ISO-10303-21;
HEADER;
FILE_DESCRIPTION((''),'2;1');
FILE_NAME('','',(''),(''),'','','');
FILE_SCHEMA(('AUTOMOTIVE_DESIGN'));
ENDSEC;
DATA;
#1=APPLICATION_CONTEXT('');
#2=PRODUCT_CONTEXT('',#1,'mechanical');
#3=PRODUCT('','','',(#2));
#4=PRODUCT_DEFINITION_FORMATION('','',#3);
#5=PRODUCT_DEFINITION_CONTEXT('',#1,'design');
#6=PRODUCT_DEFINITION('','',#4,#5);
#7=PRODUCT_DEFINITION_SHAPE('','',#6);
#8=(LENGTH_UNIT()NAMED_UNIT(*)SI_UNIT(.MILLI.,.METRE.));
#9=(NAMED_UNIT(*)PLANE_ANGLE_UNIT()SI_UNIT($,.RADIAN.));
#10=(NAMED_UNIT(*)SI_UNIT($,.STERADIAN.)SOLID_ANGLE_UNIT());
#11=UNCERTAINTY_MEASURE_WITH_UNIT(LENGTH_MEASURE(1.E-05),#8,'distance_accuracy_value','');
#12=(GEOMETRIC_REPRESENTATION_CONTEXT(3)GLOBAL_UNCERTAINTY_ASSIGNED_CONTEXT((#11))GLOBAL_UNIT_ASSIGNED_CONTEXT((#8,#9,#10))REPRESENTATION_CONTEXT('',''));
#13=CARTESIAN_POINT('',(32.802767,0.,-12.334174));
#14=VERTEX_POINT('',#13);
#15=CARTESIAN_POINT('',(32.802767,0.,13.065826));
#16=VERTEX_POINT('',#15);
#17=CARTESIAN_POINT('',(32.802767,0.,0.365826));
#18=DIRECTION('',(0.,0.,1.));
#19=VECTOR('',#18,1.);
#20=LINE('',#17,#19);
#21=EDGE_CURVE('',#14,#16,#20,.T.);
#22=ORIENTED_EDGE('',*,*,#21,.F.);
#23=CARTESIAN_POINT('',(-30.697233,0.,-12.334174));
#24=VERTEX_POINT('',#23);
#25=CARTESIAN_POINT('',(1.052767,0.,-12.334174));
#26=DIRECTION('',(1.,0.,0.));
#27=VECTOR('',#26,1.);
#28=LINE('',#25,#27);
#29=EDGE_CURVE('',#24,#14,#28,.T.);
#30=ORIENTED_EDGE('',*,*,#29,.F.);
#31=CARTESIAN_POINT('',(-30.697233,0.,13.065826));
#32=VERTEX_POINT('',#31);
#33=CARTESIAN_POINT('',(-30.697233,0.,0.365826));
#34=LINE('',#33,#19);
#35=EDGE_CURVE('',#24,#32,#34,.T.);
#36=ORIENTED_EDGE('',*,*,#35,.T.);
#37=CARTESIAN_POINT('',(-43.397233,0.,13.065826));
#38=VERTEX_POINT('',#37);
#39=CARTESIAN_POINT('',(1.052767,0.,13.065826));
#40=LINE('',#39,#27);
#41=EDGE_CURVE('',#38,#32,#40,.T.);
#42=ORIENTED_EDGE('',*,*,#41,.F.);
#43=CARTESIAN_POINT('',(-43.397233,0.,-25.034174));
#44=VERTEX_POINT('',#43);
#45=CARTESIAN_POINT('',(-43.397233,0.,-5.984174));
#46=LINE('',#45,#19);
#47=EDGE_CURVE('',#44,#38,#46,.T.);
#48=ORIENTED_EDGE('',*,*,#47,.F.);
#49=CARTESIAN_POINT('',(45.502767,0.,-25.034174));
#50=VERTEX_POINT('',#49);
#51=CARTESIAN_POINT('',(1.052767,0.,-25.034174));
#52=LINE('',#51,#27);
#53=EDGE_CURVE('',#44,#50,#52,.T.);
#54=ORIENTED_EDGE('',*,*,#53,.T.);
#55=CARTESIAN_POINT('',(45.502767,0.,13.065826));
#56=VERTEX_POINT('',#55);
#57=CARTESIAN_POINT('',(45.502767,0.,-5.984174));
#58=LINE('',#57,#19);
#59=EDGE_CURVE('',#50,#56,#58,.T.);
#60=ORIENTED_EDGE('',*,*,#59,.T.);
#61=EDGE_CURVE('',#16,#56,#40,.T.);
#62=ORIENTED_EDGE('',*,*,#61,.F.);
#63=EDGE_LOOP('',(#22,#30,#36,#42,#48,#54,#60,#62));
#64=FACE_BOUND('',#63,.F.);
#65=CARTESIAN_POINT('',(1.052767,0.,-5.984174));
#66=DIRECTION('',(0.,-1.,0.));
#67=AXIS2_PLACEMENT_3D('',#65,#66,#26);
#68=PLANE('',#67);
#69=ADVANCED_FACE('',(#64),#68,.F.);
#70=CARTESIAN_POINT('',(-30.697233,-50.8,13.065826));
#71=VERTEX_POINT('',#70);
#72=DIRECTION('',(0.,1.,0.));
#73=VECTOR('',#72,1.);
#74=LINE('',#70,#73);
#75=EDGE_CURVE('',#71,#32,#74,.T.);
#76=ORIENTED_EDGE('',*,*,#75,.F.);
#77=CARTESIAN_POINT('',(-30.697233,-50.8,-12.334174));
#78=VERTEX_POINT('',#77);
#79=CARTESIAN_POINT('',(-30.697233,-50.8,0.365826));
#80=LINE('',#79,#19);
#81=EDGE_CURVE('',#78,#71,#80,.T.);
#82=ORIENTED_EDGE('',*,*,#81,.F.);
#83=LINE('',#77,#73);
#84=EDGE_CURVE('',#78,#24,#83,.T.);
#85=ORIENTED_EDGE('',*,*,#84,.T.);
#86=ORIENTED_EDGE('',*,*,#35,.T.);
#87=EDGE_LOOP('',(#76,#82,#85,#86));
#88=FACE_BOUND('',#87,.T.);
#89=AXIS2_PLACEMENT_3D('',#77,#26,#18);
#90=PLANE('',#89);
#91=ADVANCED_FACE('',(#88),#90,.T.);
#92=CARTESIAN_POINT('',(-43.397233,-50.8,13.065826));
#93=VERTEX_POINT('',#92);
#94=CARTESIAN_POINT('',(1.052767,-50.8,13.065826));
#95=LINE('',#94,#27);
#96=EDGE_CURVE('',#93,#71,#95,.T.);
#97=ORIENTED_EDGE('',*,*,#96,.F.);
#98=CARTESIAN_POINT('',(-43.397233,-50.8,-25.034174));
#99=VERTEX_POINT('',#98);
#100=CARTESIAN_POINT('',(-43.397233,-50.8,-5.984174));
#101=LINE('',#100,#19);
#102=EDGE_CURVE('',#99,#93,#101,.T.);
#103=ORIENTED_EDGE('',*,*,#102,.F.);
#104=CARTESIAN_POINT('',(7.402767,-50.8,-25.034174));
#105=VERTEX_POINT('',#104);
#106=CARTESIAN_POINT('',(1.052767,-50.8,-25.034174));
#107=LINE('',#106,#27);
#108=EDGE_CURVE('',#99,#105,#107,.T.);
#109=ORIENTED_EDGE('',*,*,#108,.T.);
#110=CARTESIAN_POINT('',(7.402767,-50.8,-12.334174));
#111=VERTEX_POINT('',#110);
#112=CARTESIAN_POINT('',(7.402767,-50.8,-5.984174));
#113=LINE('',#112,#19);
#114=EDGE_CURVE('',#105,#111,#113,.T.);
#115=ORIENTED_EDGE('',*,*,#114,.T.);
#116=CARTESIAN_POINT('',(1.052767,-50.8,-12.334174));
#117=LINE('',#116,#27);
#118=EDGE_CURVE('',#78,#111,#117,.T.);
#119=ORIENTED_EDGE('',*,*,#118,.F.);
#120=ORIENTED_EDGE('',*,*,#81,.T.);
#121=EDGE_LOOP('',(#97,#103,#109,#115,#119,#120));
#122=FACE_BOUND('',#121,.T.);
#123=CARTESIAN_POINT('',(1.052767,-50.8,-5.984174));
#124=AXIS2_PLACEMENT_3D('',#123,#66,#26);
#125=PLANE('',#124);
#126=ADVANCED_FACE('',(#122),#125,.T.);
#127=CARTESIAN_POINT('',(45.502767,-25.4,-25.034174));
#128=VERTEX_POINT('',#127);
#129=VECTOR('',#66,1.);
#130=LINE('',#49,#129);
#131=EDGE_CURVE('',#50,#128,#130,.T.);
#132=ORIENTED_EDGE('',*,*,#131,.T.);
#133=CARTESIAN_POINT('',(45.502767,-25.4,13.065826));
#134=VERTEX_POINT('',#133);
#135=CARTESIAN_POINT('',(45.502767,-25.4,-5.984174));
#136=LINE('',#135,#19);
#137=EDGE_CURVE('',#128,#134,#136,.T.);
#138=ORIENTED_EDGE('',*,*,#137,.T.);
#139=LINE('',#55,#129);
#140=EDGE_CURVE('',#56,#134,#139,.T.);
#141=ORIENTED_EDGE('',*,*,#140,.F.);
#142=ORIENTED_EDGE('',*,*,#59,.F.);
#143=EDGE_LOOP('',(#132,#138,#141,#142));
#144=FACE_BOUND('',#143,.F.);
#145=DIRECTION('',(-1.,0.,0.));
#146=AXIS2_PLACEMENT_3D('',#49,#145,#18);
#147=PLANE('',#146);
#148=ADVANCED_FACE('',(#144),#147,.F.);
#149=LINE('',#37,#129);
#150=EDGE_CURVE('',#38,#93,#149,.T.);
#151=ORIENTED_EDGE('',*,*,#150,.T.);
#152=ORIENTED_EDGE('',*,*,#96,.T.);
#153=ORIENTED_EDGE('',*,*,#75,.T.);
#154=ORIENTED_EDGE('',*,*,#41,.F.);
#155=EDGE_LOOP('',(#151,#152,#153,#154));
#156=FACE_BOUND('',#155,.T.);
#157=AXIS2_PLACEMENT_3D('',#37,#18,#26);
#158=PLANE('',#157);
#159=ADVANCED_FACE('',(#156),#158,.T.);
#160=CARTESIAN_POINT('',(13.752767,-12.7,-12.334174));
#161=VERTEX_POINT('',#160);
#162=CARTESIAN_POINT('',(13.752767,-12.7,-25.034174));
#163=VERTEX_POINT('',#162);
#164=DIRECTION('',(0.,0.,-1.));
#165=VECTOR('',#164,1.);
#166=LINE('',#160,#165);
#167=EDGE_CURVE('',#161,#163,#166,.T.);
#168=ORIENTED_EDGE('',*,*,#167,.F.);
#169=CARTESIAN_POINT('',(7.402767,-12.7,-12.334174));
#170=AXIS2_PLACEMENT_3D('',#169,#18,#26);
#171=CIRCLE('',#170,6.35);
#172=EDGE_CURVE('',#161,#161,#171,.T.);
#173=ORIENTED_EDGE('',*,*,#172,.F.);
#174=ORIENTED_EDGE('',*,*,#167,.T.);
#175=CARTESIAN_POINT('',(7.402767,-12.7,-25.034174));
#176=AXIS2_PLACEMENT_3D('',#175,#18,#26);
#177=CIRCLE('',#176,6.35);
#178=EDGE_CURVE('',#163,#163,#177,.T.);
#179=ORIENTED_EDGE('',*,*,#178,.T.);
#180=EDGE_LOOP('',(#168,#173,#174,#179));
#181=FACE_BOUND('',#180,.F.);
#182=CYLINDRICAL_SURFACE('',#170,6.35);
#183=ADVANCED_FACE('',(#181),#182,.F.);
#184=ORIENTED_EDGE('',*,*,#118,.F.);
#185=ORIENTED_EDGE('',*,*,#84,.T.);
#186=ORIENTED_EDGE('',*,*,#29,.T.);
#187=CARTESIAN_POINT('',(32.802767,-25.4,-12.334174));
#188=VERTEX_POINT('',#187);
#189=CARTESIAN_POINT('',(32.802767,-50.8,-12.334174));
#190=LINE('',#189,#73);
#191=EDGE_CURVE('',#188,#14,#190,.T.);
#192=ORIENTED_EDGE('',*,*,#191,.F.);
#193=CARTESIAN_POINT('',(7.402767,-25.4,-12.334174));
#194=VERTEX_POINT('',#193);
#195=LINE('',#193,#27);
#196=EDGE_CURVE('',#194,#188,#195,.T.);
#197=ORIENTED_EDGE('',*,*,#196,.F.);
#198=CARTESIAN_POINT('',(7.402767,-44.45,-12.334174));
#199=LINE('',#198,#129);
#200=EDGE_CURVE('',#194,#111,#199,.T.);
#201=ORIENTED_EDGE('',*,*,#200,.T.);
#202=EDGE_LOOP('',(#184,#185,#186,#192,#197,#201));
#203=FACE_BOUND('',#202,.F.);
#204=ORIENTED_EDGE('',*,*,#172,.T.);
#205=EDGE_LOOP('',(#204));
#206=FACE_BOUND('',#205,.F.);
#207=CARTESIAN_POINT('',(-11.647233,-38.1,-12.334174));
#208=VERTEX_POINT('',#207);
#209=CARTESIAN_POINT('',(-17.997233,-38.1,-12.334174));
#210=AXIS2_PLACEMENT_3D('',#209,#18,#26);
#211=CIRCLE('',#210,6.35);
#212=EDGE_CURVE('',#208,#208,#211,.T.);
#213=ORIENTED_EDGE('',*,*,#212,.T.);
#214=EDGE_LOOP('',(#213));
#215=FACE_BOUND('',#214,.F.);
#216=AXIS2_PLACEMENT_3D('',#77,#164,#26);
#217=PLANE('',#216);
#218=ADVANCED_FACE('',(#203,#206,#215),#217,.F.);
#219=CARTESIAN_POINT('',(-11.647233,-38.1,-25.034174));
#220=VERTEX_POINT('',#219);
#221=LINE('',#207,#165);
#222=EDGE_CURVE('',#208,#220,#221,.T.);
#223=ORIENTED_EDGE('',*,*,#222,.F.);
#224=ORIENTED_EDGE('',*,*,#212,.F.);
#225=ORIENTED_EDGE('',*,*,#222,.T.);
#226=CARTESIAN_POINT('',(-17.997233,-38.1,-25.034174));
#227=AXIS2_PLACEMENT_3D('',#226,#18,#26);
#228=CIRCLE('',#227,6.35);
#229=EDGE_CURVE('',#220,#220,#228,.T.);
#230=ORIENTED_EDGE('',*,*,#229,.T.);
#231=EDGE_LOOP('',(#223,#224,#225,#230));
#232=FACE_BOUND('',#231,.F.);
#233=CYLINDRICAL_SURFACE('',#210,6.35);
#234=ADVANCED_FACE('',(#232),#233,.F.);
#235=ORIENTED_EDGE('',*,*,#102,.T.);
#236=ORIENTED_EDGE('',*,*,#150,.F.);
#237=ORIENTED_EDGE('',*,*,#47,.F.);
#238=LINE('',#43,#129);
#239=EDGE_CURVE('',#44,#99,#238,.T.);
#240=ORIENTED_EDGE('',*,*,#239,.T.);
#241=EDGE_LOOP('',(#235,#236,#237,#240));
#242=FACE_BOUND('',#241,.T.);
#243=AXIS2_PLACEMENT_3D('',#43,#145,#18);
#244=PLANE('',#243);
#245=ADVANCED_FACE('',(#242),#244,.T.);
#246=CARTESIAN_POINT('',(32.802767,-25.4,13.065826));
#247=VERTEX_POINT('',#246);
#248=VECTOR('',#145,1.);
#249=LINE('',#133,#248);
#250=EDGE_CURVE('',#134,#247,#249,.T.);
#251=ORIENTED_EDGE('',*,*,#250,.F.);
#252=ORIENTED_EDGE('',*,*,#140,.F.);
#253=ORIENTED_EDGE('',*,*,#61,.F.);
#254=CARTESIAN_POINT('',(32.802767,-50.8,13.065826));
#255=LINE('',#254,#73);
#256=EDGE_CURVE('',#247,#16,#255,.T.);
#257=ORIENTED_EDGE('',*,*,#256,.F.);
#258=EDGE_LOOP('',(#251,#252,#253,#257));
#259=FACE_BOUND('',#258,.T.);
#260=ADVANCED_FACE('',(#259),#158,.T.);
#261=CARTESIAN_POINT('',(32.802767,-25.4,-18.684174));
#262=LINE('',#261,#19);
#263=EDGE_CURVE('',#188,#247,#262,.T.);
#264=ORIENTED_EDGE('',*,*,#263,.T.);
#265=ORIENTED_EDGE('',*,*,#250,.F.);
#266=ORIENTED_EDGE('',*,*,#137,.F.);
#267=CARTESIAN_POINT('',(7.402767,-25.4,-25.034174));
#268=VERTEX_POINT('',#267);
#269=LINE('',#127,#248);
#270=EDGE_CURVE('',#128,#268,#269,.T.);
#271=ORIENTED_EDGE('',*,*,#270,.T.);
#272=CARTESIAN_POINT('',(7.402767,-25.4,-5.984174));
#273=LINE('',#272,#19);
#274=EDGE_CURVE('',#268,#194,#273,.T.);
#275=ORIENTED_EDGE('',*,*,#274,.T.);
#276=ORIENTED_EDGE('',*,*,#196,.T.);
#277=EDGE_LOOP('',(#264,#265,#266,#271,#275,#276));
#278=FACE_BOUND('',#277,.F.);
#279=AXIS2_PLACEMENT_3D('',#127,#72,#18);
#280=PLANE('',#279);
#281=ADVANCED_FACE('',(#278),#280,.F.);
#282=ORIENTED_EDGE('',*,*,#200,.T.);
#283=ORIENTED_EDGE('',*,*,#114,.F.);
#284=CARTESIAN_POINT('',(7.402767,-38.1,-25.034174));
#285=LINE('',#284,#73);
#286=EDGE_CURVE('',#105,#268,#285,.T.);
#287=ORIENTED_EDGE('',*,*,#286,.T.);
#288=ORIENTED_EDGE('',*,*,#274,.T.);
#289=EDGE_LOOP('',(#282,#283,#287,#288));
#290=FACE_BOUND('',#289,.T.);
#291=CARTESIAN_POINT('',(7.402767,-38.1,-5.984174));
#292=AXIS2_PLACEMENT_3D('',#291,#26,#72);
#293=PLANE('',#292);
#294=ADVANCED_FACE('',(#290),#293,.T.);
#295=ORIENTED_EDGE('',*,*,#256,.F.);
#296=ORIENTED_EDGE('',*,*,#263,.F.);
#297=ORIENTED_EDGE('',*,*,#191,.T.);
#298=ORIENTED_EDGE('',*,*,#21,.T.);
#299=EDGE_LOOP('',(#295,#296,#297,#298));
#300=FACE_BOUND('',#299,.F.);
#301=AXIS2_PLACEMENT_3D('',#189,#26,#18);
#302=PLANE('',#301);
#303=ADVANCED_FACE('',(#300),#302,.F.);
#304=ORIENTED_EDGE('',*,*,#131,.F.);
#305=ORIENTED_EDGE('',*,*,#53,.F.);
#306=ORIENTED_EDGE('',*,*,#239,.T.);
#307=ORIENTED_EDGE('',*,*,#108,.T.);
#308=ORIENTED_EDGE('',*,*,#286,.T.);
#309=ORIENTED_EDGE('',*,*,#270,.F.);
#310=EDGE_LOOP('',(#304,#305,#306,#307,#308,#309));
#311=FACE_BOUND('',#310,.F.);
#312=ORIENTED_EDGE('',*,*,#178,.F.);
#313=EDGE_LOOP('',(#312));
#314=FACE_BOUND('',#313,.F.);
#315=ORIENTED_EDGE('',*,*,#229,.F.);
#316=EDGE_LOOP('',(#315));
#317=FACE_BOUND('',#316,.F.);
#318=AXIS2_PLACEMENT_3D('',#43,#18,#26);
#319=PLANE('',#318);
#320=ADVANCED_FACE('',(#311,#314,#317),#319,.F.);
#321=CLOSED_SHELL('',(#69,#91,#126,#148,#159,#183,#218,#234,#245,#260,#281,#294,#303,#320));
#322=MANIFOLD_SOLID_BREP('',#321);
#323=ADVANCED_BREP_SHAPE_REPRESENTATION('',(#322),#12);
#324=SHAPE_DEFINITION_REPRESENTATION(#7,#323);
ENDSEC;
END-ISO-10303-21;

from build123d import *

# Parameters (mm, degrees)
F0_W     = 88.9
F0_H     = 38.1
F1_DEPTH = 50.8
F2_W     = 63.5
F2_H     = 25.4
F3_DEPTH = 50.8
F4_W     = 25.4
F4_H     = 38.1
F5_DEPTH = 38.1
F6_R     = 6.35
F7_DEPTH = 25.4
F8_R     = 6.35
F9_DEPTH = 25.4


with BuildPart() as f1:
    # F0 (on Front) → F1 (new body)
    with BuildSketch(Plane.XZ):
        with Locations((1.052767, -5.984174)):
            Rectangle(F0_W, F0_H)
    extrude(amount=F1_DEPTH)

    # F2 (on face) → F3 (cut)
    with BuildSketch(Plane.XZ.offset(50.8)):
        with Locations((1.052767, 0.365826)):
            Rectangle(F2_W, F2_H)
    extrude(amount=-F3_DEPTH, mode=Mode.SUBTRACT)

    # F4 (on face) → F5 (cut)
    with BuildSketch(Plane.YZ.offset(45.502767)):
        with Locations((-38.1, -5.984174)):
            Rectangle(F4_W, F4_H)
    extrude(amount=-F5_DEPTH, mode=Mode.SUBTRACT)

    # F6 (on face) → F7 (cut)
    with BuildSketch(Plane.XY.offset(-12.334174)):
        with Locations((-17.997233, -38.1)):
            Circle(F6_R)
    extrude(amount=-F7_DEPTH, mode=Mode.SUBTRACT)

    # F8 (on face) → F9 (cut)
    with BuildSketch(Plane.XY.offset(-12.334174)):
        with Locations((7.402767, -12.7)):
            Circle(F8_R)
    extrude(amount=-F9_DEPTH, mode=Mode.SUBTRACT)


solid = f1.part
